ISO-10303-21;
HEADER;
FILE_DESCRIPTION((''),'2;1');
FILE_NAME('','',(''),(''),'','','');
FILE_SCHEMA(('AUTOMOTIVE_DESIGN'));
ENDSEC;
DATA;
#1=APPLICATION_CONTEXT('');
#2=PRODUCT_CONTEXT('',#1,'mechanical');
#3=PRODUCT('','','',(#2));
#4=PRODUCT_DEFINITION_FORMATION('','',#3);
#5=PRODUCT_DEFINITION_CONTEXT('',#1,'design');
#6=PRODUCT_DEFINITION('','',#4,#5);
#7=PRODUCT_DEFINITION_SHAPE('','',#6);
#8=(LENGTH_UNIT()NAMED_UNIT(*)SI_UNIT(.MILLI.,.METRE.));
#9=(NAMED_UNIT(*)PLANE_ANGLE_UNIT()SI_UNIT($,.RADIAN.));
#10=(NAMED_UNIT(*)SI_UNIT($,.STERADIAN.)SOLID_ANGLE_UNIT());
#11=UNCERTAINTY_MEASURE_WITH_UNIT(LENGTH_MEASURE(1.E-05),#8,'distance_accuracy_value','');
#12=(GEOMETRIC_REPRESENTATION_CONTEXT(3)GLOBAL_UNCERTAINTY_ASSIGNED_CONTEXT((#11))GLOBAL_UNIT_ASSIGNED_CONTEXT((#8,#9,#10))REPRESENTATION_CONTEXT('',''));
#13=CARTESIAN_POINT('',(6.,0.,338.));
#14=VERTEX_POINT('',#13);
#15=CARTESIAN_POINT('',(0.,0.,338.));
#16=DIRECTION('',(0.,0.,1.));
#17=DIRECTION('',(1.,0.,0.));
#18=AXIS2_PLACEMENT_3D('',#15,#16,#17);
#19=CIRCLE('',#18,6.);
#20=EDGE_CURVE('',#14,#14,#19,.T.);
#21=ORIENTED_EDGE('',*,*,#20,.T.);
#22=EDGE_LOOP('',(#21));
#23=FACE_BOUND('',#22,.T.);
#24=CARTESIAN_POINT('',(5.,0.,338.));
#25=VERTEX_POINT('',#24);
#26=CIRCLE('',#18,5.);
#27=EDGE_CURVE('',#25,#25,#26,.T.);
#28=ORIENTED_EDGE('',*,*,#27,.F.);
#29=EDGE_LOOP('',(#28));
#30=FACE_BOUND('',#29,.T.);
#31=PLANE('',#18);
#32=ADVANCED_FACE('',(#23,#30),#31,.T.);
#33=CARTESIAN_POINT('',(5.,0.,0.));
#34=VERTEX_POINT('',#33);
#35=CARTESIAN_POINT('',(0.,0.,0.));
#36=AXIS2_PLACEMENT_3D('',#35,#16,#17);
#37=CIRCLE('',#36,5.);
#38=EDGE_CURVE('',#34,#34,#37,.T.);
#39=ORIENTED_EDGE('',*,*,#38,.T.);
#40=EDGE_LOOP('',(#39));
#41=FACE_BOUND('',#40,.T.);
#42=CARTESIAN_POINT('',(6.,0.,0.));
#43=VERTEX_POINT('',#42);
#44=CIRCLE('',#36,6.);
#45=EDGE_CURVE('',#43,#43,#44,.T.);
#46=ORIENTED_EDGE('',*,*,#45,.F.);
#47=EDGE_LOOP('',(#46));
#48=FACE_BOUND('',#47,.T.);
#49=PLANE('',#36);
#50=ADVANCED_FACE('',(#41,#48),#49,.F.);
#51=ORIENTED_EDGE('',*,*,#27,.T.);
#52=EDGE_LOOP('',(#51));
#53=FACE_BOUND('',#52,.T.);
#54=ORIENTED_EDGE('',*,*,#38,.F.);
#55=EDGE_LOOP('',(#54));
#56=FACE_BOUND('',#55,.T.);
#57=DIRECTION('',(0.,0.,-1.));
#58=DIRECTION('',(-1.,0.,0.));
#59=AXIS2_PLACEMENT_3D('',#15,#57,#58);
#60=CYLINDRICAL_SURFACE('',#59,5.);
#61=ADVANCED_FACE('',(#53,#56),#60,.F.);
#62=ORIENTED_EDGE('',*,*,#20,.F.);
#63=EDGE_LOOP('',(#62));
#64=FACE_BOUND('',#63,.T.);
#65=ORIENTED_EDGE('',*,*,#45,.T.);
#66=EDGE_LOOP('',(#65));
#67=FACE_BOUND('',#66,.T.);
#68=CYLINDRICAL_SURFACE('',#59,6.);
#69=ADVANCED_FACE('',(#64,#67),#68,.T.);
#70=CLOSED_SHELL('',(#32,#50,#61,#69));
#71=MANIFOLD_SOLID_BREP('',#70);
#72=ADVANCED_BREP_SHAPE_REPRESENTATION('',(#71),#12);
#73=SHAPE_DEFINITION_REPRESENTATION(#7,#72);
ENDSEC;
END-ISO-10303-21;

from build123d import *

# Parameters (mm, degrees)
SKETCH_1_R      = 6
SKETCH_1_R_2    = 5
EXTRUDE_1_DEPTH = 338


with BuildPart() as part:
    # 草图1 → 凸台-拉伸1 (new body)
    with BuildSketch(Plane.XY):
        Circle(SKETCH_1_R)
        Circle(SKETCH_1_R_2, mode=Mode.SUBTRACT)
    extrude(amount=EXTRUDE_1_DEPTH)


solid = part.part
